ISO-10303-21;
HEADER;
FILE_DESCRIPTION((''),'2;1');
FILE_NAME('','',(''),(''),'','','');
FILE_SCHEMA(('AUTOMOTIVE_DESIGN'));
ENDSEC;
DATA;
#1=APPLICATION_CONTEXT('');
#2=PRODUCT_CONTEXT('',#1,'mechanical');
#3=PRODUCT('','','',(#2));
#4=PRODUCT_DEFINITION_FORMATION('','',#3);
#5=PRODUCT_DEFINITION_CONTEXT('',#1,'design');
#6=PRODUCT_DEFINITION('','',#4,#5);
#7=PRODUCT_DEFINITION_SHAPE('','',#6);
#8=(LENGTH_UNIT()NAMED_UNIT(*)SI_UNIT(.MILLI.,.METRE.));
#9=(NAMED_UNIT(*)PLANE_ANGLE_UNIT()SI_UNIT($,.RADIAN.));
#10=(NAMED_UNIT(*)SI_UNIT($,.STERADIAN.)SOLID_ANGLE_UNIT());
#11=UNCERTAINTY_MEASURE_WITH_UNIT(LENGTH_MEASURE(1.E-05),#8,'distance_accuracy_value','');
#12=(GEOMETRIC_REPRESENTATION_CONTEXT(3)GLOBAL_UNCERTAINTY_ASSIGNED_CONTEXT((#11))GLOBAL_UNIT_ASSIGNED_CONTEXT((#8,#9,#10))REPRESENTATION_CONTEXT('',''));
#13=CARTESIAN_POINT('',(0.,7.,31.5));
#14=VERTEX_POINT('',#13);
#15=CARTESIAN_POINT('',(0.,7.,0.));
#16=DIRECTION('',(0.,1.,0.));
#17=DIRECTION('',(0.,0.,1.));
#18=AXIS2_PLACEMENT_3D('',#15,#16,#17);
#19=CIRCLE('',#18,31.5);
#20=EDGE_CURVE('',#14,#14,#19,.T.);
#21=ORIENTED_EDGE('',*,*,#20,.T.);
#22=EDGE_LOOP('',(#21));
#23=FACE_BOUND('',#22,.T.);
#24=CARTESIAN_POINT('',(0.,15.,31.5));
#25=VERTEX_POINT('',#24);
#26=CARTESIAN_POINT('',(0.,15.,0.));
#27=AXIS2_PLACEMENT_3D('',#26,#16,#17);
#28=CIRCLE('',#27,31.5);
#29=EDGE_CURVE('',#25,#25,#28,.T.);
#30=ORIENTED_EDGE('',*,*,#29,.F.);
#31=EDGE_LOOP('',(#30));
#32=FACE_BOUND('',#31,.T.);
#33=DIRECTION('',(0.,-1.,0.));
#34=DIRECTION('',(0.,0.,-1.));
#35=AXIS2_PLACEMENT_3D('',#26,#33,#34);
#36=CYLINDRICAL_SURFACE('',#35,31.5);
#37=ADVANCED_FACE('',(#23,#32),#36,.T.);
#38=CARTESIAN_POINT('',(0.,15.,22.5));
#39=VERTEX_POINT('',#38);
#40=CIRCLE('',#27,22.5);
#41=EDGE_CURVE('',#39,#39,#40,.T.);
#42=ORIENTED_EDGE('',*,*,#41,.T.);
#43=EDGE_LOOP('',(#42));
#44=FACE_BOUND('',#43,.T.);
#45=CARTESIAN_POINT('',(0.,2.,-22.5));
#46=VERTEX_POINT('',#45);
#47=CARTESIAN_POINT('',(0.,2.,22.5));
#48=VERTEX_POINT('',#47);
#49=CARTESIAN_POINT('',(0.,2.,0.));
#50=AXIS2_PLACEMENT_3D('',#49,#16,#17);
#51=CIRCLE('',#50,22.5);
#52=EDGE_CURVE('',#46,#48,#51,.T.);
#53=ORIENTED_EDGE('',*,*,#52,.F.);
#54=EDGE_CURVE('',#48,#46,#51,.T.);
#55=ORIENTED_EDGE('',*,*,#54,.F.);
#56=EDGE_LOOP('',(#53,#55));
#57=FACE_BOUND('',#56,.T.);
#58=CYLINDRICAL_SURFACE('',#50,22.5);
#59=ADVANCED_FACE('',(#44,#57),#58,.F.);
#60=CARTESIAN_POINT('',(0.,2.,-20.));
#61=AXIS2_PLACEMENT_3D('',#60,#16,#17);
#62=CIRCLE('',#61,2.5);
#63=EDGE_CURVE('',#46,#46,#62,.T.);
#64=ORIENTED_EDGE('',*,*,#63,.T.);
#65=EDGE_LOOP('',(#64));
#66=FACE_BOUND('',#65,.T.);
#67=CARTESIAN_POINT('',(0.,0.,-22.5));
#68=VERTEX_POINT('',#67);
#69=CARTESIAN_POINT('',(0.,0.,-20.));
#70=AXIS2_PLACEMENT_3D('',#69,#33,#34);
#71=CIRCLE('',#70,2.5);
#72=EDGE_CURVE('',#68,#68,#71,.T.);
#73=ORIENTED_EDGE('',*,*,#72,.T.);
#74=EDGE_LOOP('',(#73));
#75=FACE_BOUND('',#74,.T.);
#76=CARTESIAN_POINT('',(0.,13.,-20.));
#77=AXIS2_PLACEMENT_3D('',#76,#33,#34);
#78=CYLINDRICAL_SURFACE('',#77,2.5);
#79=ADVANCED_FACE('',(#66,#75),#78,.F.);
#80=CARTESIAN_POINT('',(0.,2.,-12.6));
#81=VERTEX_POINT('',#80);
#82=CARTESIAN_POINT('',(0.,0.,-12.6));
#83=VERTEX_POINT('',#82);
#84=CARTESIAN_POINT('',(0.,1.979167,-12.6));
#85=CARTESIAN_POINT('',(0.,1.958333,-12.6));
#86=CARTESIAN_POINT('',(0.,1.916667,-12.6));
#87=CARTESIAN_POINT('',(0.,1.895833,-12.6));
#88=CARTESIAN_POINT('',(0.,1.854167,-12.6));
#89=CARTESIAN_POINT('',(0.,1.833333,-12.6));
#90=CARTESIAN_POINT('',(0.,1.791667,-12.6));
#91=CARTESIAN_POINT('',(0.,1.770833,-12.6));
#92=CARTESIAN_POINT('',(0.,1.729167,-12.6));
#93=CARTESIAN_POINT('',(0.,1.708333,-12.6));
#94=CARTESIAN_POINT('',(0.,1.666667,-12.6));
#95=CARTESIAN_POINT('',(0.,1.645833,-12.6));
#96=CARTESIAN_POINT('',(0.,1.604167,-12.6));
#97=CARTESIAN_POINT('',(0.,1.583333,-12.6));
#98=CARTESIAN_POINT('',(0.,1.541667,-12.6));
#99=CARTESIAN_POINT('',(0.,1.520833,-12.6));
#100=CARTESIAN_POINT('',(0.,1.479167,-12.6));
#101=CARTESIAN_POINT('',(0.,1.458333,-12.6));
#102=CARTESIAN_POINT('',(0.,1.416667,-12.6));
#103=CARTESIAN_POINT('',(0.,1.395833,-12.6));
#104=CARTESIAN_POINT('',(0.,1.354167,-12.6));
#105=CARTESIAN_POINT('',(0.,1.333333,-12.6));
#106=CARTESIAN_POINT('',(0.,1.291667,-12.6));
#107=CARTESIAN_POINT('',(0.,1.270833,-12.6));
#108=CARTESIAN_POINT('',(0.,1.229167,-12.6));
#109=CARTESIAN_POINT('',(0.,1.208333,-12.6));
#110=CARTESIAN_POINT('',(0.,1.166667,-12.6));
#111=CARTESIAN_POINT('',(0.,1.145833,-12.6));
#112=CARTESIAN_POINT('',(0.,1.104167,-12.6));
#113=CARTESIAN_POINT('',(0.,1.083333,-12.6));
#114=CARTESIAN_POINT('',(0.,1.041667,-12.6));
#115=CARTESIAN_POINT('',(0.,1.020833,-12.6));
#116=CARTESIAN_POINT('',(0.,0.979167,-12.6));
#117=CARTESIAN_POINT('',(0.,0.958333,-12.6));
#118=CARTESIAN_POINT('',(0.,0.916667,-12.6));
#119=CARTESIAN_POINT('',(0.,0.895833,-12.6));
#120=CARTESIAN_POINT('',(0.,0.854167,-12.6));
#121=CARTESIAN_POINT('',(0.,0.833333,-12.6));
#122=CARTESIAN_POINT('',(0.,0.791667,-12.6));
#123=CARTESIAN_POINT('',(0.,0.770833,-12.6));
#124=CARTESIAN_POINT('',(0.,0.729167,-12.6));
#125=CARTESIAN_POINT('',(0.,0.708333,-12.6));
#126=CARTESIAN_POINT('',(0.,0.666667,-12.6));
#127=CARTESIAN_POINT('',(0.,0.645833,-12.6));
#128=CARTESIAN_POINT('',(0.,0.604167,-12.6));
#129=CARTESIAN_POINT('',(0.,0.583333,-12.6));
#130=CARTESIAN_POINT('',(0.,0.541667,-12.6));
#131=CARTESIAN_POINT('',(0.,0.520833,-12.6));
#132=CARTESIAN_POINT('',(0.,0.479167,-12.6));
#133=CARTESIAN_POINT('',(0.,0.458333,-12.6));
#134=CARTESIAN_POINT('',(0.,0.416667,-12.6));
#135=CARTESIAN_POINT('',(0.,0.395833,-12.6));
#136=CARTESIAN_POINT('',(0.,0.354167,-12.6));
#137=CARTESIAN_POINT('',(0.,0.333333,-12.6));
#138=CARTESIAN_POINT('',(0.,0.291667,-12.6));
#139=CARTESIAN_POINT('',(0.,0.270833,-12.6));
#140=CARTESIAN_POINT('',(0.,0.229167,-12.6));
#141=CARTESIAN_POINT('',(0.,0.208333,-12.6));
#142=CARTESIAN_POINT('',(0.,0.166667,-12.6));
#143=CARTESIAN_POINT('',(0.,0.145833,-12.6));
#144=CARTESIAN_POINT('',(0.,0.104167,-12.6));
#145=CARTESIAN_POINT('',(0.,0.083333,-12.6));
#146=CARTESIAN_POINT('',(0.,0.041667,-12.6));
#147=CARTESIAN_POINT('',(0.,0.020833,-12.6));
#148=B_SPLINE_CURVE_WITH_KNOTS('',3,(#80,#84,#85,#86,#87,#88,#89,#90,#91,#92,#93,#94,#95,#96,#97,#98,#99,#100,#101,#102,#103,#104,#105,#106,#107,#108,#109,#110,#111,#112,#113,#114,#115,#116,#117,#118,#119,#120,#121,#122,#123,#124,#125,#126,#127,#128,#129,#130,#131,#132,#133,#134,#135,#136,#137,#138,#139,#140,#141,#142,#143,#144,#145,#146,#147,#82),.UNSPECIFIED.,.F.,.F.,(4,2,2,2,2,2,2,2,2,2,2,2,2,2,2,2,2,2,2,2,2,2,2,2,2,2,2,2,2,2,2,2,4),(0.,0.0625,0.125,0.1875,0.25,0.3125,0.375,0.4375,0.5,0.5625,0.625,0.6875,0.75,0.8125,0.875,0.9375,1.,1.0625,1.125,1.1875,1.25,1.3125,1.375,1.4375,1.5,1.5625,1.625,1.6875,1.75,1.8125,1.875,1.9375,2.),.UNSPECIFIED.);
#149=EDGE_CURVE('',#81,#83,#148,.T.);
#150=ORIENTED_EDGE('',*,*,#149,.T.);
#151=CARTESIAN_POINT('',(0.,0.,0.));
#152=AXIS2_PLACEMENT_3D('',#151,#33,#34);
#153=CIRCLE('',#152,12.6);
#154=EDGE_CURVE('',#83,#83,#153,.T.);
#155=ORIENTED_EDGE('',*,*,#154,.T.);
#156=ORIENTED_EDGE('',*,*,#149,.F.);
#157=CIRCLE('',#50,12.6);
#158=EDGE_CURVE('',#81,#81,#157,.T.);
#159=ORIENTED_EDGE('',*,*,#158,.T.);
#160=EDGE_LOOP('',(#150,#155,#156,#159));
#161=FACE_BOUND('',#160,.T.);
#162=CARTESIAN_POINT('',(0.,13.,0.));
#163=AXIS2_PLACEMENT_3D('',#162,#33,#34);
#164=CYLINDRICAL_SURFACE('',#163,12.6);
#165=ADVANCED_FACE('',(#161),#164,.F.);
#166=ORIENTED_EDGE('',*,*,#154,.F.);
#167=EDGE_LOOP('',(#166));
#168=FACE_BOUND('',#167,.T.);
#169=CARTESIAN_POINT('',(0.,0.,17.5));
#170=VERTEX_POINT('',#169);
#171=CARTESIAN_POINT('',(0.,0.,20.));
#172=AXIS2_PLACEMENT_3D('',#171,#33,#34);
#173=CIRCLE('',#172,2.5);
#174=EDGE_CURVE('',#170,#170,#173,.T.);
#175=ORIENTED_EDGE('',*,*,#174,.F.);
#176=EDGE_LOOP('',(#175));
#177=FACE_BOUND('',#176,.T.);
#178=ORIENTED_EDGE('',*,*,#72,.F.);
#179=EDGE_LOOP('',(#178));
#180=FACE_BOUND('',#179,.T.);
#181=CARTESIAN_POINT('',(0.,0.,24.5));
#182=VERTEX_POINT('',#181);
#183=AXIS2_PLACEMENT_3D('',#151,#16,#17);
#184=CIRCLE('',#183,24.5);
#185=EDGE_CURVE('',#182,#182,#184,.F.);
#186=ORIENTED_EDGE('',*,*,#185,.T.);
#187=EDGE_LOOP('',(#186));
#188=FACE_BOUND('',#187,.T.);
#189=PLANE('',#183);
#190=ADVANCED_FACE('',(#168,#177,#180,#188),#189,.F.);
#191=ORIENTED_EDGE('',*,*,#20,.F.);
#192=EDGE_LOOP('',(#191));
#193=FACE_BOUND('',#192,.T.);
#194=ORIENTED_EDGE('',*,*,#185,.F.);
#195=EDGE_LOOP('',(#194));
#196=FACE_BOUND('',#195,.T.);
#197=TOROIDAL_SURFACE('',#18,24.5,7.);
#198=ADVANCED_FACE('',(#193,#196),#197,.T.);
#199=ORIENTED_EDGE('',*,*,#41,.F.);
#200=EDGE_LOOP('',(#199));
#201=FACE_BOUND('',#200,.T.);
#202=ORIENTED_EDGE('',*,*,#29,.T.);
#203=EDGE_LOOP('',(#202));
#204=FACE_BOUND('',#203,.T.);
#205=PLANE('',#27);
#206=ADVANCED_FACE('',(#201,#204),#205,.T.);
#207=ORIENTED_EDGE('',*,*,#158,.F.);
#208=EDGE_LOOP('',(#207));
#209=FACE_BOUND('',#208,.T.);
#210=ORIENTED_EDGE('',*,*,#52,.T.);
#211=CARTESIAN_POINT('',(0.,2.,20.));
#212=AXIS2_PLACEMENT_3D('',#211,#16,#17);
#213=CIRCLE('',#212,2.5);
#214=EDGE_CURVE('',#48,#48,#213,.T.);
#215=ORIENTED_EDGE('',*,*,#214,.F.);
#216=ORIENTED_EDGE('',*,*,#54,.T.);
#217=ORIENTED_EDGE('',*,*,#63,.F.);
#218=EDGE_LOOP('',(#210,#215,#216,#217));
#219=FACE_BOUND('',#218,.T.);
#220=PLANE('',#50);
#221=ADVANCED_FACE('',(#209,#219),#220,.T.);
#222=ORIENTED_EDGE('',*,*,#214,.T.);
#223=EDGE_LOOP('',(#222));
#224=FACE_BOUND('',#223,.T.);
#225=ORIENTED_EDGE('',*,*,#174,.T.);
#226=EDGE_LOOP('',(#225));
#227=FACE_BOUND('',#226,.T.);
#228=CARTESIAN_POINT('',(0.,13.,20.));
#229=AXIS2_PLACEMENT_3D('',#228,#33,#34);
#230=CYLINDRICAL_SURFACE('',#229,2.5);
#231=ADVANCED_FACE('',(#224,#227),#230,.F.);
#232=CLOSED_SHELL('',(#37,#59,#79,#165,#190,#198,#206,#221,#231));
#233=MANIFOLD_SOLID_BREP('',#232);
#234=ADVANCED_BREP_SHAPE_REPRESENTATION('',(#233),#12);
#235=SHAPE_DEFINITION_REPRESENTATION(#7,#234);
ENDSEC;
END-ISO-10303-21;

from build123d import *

# Parameters (mm, degrees)
SKETCH1_R           = 31.5
BOSS_EXTRUDE1_DEPTH = 15
SKETCH2_R           = 22.5
CUT_EXTRUDE1_DEPTH  = 13
SKETCH3_R           = 12.6
SKETCH3_R_2         = 2.5
CUT_EXTRUDE2_DEPTH  = 13
FILLET1_R           = 7


with BuildPart() as part:
    # Sketch1 → Boss-Extrude1 (new body)
    with BuildSketch(Plane(origin=(0, 0, 0), x_dir=(1, 0, 0), z_dir=(0, 1, 0))):
        with Locations(Location((0, 0, 0), (0, 0, 270))):
            Circle(SKETCH1_R)
    extrude(amount=BOSS_EXTRUDE1_DEPTH)

    # Sketch2 → Cut-Extrude1 (cut)
    with BuildSketch(Plane(origin=(0, 15, 0), x_dir=(1, 0, 0), z_dir=(0, 1, 0))):
        with Locations(Location((0, 0, 0), (0, 0, 270))):
            Circle(SKETCH2_R)
    extrude(amount=-CUT_EXTRUDE1_DEPTH, mode=Mode.SUBTRACT)

    # Sketch3 → Cut-Extrude2 (cut)
    with BuildSketch(Plane.XZ):
        with Locations(Location((0, 0, 0), (0, 0, 270))):
            Circle(SKETCH3_R)
        with Locations(Location((0, 20, 0), (0, 0, 270))):
            Circle(SKETCH3_R_2)
        with Locations(Location((0, -20, 0), (0, 0, 270))):
            Circle(SKETCH3_R_2)
    extrude(amount=-CUT_EXTRUDE2_DEPTH, mode=Mode.SUBTRACT)

    # Fillet1
    fillet1_edges = [part.edges().sort_by_distance(p)[0] for p in [
        (0, 0, -31.5),
    ]]
    fillet(fillet1_edges, radius=FILLET1_R)


solid = part.part
